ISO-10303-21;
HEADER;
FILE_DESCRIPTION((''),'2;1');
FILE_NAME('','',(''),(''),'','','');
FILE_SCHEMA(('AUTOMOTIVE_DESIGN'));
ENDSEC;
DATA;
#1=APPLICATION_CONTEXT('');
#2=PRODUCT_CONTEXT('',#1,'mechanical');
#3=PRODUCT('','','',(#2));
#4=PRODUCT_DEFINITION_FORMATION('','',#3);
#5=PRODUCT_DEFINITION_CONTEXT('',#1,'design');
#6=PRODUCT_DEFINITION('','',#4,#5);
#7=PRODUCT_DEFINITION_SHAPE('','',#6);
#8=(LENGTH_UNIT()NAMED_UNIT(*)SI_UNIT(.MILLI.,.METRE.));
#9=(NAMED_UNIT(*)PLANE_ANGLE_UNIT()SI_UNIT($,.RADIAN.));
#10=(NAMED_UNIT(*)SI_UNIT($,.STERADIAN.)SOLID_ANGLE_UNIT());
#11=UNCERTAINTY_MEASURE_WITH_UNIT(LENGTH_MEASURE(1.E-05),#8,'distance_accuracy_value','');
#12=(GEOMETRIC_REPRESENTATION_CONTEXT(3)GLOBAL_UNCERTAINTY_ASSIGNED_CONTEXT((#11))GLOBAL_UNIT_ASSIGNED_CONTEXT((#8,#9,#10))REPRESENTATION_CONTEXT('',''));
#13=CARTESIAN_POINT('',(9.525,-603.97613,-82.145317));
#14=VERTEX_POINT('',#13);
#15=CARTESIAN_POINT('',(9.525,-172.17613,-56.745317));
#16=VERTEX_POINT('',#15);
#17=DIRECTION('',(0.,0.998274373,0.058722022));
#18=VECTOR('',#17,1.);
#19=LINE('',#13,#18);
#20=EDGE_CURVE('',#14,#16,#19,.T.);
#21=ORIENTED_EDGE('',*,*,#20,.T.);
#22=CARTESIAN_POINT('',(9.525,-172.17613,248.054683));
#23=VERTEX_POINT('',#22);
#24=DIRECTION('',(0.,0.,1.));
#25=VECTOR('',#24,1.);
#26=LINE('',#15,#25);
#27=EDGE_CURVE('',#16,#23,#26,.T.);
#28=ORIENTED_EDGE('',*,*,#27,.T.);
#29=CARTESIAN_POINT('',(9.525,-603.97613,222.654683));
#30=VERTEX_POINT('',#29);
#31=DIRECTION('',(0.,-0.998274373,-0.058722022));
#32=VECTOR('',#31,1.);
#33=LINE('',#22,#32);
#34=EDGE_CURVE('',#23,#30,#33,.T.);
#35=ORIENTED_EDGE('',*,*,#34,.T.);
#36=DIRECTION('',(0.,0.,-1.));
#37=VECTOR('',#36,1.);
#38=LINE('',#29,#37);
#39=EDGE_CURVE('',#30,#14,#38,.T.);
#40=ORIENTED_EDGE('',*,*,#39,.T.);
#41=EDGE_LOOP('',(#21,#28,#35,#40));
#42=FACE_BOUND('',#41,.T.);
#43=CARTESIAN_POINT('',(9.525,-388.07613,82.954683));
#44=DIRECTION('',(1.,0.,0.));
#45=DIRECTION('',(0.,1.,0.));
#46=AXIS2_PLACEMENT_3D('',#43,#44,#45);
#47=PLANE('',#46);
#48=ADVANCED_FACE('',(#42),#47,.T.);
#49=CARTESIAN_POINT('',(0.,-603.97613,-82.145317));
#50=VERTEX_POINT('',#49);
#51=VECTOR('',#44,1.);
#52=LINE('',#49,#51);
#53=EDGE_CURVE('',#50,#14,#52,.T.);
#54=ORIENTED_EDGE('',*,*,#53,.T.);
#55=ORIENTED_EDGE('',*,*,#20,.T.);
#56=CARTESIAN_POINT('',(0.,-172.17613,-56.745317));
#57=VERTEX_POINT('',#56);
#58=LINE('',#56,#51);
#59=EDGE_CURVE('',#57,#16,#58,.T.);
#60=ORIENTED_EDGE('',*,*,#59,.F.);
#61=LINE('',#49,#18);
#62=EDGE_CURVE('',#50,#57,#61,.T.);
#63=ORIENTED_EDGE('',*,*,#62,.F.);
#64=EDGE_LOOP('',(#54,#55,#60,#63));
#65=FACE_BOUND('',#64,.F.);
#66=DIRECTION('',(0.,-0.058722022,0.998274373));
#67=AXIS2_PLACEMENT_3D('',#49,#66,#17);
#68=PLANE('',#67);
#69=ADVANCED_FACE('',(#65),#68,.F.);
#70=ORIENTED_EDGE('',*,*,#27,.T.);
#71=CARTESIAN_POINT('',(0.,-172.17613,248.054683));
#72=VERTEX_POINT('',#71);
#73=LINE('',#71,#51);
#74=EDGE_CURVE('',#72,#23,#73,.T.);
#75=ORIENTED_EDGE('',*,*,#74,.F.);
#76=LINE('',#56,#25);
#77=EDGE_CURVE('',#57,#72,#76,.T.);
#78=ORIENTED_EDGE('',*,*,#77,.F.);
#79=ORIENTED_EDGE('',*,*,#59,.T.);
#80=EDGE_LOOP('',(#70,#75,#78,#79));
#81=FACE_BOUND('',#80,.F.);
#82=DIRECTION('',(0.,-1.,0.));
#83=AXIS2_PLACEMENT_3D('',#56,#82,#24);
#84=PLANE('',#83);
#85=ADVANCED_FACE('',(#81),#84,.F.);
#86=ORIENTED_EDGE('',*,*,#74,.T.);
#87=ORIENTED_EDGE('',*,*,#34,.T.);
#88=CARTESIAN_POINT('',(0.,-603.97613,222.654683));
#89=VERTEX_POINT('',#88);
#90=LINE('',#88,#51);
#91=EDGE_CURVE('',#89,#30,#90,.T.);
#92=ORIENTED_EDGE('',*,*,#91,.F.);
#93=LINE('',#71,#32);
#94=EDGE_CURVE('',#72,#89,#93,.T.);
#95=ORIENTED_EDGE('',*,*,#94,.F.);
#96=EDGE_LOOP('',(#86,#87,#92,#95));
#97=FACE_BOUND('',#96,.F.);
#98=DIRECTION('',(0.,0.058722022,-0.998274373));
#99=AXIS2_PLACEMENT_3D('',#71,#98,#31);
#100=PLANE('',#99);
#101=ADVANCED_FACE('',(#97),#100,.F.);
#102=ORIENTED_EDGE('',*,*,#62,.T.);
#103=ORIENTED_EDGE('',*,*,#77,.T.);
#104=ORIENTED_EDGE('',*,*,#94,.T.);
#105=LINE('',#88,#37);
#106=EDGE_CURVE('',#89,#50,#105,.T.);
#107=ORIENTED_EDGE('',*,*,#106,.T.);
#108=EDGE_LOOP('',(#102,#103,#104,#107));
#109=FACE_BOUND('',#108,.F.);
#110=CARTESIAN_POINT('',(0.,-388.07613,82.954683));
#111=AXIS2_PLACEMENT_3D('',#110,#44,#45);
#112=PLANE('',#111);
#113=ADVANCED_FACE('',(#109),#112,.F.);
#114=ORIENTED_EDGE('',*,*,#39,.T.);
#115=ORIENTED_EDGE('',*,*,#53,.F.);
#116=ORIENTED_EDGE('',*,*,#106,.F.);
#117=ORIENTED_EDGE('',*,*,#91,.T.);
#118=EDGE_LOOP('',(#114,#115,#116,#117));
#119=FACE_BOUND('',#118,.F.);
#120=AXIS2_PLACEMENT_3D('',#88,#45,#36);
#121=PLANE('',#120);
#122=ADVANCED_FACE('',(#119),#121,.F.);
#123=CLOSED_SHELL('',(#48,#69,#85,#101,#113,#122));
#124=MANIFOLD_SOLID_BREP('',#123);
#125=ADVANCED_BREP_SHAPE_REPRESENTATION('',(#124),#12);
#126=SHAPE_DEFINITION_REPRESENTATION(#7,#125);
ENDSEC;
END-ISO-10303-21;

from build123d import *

# Parameters (mm, degrees)
F1_DEPTH = 9.525


with BuildPart() as f1:
    # F0 (on Right) → F1 (new body)
    with BuildSketch(Plane.YZ):
        Polygon((-603.97613, 222.654683), (-603.97613, -82.145317), (-172.17613, -56.745317), (-172.17613, 248.054683), align=None)
    extrude(amount=F1_DEPTH)


with BuildPart() as f2_1:
    # F2: copy of F1
    add(f1.part.moved(Location((482.6, 0, 0))))


solid = f1.part
